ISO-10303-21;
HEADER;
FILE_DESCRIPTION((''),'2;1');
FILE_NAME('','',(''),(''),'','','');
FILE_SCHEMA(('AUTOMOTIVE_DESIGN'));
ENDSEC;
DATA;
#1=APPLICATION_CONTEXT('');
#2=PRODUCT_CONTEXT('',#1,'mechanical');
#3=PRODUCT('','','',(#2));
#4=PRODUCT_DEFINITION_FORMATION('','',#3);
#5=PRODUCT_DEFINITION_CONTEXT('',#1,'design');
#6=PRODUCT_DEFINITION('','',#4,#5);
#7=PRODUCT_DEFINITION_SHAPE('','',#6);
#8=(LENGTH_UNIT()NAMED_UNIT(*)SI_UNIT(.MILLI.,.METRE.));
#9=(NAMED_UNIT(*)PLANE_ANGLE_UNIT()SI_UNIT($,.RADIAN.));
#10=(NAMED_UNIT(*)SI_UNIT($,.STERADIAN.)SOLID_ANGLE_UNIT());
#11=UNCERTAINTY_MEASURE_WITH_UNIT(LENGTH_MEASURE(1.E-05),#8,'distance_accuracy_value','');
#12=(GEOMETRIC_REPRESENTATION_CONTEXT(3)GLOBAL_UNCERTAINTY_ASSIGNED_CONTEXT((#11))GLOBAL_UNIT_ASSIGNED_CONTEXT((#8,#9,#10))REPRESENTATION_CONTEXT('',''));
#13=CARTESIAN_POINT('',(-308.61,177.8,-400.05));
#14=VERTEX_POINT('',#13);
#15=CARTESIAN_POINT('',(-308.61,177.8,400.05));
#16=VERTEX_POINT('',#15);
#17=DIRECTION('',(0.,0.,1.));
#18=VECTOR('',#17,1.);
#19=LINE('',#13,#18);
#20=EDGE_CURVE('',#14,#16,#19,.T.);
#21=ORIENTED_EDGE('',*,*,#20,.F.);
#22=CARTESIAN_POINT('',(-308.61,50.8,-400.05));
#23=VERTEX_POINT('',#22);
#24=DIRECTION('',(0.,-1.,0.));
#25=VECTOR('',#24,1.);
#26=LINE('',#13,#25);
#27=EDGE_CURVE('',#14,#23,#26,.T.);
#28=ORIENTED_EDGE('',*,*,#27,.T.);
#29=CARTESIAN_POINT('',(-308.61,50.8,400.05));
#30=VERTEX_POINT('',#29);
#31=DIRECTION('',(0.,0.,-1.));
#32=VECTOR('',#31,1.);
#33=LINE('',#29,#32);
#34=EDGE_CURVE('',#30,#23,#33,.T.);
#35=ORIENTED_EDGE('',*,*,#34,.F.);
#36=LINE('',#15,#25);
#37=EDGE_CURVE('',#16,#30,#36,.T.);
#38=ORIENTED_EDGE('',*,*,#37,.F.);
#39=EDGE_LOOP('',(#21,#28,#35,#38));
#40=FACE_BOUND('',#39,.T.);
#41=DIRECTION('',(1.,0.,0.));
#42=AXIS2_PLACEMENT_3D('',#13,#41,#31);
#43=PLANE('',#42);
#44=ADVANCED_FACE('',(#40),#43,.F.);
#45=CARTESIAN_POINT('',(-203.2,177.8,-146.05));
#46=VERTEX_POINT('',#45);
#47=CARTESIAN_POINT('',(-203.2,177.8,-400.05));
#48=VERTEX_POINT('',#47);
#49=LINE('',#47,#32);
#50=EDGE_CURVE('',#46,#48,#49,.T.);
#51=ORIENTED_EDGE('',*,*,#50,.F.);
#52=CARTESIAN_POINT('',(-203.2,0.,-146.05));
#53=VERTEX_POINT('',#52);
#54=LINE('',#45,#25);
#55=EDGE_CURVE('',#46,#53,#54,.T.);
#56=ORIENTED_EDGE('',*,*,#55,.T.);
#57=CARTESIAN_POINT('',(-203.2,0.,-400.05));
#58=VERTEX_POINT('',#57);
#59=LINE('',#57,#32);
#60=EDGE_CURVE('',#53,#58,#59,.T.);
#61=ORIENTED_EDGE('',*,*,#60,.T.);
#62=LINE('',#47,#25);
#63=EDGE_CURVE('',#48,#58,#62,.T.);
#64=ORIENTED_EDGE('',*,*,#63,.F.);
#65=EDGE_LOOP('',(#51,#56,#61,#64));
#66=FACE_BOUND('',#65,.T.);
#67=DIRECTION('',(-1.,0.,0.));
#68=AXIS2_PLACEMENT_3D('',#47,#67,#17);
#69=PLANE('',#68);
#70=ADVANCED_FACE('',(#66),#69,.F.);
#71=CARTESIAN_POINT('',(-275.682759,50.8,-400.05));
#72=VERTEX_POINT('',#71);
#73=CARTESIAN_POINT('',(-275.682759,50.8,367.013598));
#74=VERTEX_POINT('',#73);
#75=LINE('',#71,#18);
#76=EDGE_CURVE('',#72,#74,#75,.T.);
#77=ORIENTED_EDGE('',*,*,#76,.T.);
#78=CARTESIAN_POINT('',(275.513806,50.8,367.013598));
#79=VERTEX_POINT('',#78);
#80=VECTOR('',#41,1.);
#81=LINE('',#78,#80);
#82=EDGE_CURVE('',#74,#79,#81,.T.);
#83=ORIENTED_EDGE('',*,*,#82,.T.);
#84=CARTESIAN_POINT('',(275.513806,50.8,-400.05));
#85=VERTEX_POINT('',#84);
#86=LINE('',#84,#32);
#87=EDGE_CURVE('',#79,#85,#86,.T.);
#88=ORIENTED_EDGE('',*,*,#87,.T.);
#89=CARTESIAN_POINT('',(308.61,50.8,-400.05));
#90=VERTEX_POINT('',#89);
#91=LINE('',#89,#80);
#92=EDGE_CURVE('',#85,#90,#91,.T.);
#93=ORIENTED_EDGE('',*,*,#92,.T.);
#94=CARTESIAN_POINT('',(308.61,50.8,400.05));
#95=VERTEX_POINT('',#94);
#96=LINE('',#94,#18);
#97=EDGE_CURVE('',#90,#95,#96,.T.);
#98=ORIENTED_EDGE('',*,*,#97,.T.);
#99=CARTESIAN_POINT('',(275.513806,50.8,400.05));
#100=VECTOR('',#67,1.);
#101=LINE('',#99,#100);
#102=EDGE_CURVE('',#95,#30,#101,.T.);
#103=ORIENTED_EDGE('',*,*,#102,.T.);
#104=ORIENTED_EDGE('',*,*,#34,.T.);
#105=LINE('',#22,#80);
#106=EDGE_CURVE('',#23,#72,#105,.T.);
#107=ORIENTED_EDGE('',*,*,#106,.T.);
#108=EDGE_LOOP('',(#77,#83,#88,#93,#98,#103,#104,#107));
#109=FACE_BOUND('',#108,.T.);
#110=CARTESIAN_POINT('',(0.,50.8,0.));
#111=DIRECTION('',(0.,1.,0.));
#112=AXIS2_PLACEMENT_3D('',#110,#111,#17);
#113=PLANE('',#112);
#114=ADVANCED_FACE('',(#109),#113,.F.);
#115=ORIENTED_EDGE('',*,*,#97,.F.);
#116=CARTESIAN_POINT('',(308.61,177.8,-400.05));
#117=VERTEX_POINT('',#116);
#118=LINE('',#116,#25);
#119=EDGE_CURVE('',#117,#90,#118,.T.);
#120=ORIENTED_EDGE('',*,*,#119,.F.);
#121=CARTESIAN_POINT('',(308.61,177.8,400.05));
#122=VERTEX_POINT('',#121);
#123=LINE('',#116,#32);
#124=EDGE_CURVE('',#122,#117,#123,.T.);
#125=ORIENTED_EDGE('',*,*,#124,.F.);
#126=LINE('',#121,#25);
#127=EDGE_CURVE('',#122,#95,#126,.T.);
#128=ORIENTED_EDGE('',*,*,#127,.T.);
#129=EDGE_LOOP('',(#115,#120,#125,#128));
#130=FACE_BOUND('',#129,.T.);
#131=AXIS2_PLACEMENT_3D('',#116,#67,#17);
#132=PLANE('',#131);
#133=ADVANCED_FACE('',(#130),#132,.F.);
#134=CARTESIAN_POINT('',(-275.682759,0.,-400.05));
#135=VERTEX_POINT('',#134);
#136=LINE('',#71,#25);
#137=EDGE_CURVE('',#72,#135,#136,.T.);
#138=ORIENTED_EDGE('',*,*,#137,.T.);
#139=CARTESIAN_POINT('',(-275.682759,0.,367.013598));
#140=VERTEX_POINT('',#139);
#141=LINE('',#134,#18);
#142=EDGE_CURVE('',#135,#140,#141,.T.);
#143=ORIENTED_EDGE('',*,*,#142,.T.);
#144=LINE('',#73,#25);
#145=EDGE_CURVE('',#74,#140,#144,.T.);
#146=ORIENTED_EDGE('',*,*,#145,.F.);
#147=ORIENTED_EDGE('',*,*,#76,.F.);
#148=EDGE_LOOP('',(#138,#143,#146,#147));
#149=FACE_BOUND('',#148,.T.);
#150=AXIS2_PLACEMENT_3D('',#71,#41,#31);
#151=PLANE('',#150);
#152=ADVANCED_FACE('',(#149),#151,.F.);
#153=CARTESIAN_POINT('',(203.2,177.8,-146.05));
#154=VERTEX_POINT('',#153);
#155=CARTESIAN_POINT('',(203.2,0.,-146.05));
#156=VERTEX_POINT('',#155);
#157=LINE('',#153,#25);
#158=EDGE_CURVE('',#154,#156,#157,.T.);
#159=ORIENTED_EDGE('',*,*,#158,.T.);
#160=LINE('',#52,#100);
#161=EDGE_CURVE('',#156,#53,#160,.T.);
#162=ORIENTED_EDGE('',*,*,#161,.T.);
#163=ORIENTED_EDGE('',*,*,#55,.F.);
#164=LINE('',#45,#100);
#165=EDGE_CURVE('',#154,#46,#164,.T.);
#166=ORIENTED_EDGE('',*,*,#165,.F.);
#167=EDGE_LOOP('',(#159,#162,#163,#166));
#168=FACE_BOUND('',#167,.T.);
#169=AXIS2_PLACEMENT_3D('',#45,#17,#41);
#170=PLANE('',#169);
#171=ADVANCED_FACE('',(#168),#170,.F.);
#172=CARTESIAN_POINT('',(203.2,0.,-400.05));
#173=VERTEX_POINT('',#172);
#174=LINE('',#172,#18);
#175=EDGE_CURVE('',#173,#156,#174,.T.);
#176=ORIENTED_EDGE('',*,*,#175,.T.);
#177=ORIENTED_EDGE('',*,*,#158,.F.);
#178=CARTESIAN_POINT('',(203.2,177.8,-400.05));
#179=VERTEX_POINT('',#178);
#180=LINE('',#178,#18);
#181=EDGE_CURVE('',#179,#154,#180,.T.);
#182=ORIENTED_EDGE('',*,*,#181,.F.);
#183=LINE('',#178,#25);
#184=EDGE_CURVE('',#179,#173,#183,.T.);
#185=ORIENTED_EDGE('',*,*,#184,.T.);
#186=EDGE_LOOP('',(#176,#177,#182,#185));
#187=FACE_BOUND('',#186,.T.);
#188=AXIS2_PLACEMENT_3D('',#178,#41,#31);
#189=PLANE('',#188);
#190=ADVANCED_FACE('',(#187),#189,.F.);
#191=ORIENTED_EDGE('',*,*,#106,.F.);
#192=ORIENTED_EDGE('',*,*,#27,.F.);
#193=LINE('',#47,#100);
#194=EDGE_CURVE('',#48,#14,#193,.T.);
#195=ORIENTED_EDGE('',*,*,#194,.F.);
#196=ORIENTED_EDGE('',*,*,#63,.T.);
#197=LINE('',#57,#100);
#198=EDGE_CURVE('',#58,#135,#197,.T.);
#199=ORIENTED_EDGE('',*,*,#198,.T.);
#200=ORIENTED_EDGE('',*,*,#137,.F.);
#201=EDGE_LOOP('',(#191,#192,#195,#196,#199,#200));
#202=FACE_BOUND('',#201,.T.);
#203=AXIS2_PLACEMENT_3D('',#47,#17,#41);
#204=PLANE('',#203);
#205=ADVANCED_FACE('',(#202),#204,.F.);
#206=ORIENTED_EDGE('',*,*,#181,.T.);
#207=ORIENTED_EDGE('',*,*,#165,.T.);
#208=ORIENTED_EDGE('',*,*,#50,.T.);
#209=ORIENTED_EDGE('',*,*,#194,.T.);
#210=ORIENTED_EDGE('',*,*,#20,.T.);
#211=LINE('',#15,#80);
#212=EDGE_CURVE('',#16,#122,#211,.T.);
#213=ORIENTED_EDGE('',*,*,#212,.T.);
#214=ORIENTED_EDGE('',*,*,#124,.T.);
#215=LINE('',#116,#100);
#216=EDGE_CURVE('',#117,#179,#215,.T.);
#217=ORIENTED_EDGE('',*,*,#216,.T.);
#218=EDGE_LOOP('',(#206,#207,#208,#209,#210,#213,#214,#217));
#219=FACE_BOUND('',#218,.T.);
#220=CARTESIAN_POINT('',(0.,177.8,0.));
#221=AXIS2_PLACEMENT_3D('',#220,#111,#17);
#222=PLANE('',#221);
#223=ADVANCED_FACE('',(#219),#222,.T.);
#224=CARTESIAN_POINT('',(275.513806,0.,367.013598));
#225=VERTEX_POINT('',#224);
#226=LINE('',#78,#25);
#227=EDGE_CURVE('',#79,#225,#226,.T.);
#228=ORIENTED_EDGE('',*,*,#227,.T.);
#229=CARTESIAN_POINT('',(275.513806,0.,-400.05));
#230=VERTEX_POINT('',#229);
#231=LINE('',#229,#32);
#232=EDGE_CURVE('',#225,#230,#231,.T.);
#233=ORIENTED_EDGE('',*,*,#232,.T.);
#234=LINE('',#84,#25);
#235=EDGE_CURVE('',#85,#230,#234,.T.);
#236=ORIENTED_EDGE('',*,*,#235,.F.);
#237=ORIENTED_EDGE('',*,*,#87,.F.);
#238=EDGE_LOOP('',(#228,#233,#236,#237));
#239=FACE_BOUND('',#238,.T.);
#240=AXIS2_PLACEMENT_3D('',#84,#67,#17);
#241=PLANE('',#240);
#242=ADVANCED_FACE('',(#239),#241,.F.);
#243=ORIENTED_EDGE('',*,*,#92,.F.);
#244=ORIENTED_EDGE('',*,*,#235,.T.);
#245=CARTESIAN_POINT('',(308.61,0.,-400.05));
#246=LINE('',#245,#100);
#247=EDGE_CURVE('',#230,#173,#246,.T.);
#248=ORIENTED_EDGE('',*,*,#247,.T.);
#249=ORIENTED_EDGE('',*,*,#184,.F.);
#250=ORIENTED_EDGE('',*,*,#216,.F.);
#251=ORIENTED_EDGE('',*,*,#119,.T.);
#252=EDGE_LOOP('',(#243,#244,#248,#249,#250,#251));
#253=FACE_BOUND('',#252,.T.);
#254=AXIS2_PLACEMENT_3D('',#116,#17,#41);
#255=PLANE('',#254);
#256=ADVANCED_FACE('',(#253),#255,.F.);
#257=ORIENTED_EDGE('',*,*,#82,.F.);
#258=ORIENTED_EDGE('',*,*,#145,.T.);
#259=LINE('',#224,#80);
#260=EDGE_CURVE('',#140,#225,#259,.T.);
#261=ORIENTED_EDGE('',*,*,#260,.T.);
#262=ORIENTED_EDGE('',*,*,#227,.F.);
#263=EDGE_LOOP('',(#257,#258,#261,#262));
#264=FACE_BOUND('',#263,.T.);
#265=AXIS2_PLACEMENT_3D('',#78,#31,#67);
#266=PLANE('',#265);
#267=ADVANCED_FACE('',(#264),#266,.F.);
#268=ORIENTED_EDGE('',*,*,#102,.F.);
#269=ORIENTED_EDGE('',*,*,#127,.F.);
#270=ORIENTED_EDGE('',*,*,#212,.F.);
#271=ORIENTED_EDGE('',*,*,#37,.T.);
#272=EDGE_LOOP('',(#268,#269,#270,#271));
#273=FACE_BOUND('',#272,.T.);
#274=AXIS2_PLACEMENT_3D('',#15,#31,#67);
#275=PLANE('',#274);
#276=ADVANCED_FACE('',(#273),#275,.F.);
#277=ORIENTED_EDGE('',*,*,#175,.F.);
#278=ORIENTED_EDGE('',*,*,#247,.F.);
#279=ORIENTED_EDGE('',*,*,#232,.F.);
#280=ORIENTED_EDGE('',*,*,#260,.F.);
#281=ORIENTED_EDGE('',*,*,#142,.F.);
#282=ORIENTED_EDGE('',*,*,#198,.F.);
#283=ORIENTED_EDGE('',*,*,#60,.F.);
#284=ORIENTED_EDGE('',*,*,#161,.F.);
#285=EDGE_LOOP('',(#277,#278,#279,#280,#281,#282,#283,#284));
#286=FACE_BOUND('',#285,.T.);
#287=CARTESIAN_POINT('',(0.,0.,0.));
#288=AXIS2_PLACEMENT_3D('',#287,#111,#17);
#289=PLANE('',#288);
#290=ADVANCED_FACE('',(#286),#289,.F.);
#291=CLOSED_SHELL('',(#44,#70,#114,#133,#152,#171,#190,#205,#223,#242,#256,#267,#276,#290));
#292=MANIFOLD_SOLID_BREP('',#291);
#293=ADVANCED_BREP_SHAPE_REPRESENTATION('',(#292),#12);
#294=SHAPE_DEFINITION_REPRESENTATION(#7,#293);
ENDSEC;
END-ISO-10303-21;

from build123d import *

# Parameters (mm, degrees)
BOSS_EXTRUDE1_DEPTH = 177.8
CUT_EXTRUDE1_DEPTH  = 50.8


with BuildPart() as part:
    # Sketch1 → Boss-Extrude1 (new body)
    with BuildSketch(Plane(origin=(0, 0, 0), x_dir=(1, 0, 0), z_dir=(0, 1, 0))):
        Polygon((308.61, 400.05), (203.2, 400.05), (203.2, 146.05), (-203.2, 146.05), (-203.2, 400.05), (-308.61, 400.05), (-308.61, -400.05), (308.61, -400.05), align=None)
    extrude(amount=BOSS_EXTRUDE1_DEPTH)

    # Sketch2 → Cut-Extrude1 (cut)
    with BuildSketch(Plane.XZ):
        Polygon((308.61, -400.05), (275.513805506, -400.05), (275.513805506, 367.013597839), (-275.682759314, 367.013597839), (-275.682759314, -400.05), (-308.61, -400.05), (-308.61, 400.05), (-275.682759314, 400.05), (275.513805506, 400.05), (308.61, 400.05), align=None)
    extrude(amount=-CUT_EXTRUDE1_DEPTH, mode=Mode.SUBTRACT)


solid = part.part
